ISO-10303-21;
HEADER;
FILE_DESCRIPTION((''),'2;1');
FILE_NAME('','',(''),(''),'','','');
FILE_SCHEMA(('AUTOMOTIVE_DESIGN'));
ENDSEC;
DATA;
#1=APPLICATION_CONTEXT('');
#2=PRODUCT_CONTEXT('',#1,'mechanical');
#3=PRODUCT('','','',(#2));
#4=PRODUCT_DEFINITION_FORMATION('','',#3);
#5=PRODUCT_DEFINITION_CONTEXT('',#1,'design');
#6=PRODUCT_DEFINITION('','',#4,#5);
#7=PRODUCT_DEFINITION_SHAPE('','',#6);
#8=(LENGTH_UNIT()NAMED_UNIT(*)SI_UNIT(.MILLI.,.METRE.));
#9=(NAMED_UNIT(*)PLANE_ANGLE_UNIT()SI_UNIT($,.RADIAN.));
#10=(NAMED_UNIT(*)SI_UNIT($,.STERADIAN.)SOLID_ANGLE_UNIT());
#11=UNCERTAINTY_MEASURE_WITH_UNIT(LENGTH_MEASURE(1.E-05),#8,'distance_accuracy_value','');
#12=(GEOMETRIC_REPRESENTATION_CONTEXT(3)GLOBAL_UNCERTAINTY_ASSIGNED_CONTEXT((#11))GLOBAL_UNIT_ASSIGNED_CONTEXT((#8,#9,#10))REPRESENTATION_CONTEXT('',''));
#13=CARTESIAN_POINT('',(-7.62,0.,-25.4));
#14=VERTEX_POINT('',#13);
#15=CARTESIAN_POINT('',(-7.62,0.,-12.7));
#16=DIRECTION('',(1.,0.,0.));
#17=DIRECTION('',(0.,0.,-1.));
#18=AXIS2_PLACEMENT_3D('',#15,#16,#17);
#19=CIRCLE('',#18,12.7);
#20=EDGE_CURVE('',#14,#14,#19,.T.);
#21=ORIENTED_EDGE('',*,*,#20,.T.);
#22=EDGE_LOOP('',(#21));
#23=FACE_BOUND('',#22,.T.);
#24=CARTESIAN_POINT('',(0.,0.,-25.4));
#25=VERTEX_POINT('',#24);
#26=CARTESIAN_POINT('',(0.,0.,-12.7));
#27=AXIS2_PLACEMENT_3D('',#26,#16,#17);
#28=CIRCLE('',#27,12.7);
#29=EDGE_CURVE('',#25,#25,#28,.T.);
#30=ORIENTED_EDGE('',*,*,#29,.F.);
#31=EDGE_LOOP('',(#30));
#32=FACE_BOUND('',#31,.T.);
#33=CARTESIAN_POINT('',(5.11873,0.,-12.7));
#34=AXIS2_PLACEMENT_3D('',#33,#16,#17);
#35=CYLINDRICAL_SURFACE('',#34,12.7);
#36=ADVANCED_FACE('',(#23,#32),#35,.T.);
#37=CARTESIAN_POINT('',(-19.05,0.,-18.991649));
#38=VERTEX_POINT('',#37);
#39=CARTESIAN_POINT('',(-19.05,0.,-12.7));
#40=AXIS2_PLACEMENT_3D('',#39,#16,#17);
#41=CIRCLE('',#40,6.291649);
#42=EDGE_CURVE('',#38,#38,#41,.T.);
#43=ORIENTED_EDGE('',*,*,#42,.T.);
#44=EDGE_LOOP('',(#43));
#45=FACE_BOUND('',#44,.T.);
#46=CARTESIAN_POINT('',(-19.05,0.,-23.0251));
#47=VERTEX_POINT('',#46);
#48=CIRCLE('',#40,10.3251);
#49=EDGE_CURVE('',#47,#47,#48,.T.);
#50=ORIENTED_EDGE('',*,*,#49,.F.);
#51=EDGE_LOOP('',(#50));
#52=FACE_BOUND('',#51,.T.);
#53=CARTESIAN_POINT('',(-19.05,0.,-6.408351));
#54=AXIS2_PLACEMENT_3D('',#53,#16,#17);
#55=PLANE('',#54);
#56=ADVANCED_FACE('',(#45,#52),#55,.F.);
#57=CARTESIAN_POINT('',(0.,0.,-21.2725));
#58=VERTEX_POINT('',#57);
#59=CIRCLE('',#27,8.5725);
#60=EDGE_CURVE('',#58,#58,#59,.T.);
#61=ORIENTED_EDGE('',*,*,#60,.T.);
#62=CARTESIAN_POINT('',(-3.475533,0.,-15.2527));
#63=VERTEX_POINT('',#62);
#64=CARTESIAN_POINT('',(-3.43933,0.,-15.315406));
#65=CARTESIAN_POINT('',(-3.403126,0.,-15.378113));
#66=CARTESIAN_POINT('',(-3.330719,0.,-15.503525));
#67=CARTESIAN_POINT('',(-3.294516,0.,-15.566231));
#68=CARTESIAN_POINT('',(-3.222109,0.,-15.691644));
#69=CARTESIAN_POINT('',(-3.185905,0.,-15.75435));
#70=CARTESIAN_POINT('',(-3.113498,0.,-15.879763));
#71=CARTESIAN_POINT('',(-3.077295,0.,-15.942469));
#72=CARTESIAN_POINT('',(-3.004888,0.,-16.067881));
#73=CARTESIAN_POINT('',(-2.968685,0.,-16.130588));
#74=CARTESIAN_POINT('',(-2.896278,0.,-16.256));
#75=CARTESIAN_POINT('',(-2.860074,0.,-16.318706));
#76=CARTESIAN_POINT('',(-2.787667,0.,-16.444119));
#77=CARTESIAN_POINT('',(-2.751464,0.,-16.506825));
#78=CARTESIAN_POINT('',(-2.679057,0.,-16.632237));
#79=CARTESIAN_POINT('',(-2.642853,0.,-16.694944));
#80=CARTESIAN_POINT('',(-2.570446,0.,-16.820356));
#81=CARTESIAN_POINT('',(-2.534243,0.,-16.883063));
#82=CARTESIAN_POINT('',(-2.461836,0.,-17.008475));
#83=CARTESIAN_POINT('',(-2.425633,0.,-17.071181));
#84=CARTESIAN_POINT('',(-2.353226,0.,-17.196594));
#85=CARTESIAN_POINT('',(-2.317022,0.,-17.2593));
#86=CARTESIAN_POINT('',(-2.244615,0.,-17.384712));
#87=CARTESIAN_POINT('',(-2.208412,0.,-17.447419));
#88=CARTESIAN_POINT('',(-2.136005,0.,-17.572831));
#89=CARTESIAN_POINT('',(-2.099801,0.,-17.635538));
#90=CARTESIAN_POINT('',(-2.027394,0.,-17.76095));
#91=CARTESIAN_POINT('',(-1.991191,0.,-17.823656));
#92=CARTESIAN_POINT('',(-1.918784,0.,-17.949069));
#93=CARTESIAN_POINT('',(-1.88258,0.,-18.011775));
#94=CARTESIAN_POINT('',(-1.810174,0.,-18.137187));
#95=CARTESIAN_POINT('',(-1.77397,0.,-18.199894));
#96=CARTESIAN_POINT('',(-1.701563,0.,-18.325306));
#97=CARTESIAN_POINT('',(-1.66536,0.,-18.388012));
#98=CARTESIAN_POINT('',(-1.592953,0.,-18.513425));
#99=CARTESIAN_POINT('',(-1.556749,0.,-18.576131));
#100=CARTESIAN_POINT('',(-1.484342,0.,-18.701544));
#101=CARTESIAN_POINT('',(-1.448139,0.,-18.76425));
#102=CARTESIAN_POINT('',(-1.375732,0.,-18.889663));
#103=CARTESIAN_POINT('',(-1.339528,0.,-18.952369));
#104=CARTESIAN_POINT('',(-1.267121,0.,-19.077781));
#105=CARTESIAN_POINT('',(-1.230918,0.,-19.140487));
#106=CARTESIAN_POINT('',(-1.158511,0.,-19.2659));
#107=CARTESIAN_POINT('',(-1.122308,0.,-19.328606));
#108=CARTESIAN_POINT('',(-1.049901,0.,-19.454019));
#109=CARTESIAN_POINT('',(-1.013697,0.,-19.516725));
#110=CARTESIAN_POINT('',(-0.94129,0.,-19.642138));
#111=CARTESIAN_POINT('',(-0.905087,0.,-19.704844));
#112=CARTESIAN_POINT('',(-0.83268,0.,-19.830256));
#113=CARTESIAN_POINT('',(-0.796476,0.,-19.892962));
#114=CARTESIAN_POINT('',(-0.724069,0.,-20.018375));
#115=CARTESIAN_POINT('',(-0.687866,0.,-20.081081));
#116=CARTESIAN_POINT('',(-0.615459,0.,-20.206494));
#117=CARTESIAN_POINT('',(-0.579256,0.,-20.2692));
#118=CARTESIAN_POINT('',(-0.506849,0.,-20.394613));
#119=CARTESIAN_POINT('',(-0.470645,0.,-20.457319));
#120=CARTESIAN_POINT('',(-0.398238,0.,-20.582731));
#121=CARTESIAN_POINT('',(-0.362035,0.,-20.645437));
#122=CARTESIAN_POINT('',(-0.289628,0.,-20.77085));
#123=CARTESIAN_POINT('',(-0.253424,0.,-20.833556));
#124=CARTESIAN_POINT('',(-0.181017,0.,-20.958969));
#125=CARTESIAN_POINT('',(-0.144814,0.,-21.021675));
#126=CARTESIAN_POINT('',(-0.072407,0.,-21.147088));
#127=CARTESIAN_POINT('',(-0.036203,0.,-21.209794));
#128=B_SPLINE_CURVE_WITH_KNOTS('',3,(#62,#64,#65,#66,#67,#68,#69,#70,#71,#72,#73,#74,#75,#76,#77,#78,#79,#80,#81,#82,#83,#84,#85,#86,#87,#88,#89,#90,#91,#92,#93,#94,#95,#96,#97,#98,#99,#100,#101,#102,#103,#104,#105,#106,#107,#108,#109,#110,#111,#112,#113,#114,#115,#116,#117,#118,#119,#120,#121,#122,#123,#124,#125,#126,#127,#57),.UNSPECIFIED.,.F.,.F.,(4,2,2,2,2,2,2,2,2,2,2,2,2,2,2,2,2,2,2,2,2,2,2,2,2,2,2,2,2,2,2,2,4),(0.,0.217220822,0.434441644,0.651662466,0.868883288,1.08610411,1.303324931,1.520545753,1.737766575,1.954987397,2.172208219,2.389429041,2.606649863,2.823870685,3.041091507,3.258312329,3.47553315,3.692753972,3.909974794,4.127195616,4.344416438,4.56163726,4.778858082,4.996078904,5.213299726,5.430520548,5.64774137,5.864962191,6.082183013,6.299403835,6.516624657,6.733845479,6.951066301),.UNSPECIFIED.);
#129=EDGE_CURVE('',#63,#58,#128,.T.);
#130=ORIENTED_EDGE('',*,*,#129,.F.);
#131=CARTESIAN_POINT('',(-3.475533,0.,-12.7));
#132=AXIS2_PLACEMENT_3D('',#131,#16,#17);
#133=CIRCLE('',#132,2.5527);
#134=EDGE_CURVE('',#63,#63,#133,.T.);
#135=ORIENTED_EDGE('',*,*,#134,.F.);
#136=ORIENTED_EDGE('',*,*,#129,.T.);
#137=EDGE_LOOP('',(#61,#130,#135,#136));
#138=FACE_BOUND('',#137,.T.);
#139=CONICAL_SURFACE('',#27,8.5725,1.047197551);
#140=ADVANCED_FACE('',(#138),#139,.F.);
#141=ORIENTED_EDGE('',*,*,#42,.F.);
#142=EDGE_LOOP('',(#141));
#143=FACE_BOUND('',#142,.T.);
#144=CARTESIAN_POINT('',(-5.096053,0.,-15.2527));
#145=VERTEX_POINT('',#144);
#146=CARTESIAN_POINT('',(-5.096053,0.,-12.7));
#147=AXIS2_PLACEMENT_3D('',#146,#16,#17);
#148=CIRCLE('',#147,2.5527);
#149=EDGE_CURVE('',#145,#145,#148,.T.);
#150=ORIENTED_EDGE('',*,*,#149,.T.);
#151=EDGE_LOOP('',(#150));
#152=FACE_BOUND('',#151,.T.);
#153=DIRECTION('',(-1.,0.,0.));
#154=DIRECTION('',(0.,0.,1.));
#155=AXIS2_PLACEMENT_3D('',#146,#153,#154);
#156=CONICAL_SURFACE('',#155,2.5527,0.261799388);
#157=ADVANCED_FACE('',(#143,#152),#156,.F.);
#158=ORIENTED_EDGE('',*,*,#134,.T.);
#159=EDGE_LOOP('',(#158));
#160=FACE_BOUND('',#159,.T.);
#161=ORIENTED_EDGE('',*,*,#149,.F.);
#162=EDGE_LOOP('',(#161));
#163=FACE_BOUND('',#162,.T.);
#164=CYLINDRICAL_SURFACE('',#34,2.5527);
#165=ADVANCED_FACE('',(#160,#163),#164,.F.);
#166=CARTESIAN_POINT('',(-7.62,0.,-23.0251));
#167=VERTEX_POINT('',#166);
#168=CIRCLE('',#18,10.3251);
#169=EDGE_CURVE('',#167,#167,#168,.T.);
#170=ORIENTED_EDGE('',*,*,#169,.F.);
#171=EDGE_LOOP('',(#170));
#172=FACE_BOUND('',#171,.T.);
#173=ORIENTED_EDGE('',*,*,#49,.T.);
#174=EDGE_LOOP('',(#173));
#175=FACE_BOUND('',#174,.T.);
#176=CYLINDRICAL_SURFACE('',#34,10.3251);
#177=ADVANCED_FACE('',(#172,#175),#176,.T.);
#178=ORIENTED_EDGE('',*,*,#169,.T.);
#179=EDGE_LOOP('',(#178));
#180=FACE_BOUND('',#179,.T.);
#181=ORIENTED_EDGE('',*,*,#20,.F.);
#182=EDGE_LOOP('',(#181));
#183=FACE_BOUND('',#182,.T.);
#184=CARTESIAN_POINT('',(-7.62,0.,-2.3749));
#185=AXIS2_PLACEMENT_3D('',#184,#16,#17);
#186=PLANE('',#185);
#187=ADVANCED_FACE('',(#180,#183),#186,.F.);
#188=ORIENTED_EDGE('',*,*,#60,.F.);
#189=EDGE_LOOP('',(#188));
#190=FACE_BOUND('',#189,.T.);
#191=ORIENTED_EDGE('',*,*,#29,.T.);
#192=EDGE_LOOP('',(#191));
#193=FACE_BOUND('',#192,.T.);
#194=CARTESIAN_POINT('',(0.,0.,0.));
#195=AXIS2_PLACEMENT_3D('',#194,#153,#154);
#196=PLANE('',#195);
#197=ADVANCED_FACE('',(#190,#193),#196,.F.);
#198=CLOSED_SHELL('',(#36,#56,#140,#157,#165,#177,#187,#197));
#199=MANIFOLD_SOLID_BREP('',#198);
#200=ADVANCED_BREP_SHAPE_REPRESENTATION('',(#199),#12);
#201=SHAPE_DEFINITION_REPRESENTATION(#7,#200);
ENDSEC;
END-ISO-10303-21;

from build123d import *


with BuildPart() as part:
    # Sketch1 → Revolve1 (revolve)
    with BuildSketch(Plane(origin=(0, 0, 0), x_dir=(1, 0, 0), z_dir=(0, 1, 0)), mode=Mode.PRIVATE) as revolve1_sk:
        Polygon((0, 0), (0, 4.1275), (-3.47553315, 10.1473), (-5.09605315, 10.1473), (-19.05, 6.40835121), (-19.05, 2.3749), (-7.62, 2.3749), (-7.62, 0), align=None)
    revolve(revolve1_sk.sketch.rotate(Axis((5.118729701, 0, -12.7), (-1, 0, 0)), 180), axis=Axis((5.118729701, 0, -12.7), (-1, 0, 0)))


solid = part.part
